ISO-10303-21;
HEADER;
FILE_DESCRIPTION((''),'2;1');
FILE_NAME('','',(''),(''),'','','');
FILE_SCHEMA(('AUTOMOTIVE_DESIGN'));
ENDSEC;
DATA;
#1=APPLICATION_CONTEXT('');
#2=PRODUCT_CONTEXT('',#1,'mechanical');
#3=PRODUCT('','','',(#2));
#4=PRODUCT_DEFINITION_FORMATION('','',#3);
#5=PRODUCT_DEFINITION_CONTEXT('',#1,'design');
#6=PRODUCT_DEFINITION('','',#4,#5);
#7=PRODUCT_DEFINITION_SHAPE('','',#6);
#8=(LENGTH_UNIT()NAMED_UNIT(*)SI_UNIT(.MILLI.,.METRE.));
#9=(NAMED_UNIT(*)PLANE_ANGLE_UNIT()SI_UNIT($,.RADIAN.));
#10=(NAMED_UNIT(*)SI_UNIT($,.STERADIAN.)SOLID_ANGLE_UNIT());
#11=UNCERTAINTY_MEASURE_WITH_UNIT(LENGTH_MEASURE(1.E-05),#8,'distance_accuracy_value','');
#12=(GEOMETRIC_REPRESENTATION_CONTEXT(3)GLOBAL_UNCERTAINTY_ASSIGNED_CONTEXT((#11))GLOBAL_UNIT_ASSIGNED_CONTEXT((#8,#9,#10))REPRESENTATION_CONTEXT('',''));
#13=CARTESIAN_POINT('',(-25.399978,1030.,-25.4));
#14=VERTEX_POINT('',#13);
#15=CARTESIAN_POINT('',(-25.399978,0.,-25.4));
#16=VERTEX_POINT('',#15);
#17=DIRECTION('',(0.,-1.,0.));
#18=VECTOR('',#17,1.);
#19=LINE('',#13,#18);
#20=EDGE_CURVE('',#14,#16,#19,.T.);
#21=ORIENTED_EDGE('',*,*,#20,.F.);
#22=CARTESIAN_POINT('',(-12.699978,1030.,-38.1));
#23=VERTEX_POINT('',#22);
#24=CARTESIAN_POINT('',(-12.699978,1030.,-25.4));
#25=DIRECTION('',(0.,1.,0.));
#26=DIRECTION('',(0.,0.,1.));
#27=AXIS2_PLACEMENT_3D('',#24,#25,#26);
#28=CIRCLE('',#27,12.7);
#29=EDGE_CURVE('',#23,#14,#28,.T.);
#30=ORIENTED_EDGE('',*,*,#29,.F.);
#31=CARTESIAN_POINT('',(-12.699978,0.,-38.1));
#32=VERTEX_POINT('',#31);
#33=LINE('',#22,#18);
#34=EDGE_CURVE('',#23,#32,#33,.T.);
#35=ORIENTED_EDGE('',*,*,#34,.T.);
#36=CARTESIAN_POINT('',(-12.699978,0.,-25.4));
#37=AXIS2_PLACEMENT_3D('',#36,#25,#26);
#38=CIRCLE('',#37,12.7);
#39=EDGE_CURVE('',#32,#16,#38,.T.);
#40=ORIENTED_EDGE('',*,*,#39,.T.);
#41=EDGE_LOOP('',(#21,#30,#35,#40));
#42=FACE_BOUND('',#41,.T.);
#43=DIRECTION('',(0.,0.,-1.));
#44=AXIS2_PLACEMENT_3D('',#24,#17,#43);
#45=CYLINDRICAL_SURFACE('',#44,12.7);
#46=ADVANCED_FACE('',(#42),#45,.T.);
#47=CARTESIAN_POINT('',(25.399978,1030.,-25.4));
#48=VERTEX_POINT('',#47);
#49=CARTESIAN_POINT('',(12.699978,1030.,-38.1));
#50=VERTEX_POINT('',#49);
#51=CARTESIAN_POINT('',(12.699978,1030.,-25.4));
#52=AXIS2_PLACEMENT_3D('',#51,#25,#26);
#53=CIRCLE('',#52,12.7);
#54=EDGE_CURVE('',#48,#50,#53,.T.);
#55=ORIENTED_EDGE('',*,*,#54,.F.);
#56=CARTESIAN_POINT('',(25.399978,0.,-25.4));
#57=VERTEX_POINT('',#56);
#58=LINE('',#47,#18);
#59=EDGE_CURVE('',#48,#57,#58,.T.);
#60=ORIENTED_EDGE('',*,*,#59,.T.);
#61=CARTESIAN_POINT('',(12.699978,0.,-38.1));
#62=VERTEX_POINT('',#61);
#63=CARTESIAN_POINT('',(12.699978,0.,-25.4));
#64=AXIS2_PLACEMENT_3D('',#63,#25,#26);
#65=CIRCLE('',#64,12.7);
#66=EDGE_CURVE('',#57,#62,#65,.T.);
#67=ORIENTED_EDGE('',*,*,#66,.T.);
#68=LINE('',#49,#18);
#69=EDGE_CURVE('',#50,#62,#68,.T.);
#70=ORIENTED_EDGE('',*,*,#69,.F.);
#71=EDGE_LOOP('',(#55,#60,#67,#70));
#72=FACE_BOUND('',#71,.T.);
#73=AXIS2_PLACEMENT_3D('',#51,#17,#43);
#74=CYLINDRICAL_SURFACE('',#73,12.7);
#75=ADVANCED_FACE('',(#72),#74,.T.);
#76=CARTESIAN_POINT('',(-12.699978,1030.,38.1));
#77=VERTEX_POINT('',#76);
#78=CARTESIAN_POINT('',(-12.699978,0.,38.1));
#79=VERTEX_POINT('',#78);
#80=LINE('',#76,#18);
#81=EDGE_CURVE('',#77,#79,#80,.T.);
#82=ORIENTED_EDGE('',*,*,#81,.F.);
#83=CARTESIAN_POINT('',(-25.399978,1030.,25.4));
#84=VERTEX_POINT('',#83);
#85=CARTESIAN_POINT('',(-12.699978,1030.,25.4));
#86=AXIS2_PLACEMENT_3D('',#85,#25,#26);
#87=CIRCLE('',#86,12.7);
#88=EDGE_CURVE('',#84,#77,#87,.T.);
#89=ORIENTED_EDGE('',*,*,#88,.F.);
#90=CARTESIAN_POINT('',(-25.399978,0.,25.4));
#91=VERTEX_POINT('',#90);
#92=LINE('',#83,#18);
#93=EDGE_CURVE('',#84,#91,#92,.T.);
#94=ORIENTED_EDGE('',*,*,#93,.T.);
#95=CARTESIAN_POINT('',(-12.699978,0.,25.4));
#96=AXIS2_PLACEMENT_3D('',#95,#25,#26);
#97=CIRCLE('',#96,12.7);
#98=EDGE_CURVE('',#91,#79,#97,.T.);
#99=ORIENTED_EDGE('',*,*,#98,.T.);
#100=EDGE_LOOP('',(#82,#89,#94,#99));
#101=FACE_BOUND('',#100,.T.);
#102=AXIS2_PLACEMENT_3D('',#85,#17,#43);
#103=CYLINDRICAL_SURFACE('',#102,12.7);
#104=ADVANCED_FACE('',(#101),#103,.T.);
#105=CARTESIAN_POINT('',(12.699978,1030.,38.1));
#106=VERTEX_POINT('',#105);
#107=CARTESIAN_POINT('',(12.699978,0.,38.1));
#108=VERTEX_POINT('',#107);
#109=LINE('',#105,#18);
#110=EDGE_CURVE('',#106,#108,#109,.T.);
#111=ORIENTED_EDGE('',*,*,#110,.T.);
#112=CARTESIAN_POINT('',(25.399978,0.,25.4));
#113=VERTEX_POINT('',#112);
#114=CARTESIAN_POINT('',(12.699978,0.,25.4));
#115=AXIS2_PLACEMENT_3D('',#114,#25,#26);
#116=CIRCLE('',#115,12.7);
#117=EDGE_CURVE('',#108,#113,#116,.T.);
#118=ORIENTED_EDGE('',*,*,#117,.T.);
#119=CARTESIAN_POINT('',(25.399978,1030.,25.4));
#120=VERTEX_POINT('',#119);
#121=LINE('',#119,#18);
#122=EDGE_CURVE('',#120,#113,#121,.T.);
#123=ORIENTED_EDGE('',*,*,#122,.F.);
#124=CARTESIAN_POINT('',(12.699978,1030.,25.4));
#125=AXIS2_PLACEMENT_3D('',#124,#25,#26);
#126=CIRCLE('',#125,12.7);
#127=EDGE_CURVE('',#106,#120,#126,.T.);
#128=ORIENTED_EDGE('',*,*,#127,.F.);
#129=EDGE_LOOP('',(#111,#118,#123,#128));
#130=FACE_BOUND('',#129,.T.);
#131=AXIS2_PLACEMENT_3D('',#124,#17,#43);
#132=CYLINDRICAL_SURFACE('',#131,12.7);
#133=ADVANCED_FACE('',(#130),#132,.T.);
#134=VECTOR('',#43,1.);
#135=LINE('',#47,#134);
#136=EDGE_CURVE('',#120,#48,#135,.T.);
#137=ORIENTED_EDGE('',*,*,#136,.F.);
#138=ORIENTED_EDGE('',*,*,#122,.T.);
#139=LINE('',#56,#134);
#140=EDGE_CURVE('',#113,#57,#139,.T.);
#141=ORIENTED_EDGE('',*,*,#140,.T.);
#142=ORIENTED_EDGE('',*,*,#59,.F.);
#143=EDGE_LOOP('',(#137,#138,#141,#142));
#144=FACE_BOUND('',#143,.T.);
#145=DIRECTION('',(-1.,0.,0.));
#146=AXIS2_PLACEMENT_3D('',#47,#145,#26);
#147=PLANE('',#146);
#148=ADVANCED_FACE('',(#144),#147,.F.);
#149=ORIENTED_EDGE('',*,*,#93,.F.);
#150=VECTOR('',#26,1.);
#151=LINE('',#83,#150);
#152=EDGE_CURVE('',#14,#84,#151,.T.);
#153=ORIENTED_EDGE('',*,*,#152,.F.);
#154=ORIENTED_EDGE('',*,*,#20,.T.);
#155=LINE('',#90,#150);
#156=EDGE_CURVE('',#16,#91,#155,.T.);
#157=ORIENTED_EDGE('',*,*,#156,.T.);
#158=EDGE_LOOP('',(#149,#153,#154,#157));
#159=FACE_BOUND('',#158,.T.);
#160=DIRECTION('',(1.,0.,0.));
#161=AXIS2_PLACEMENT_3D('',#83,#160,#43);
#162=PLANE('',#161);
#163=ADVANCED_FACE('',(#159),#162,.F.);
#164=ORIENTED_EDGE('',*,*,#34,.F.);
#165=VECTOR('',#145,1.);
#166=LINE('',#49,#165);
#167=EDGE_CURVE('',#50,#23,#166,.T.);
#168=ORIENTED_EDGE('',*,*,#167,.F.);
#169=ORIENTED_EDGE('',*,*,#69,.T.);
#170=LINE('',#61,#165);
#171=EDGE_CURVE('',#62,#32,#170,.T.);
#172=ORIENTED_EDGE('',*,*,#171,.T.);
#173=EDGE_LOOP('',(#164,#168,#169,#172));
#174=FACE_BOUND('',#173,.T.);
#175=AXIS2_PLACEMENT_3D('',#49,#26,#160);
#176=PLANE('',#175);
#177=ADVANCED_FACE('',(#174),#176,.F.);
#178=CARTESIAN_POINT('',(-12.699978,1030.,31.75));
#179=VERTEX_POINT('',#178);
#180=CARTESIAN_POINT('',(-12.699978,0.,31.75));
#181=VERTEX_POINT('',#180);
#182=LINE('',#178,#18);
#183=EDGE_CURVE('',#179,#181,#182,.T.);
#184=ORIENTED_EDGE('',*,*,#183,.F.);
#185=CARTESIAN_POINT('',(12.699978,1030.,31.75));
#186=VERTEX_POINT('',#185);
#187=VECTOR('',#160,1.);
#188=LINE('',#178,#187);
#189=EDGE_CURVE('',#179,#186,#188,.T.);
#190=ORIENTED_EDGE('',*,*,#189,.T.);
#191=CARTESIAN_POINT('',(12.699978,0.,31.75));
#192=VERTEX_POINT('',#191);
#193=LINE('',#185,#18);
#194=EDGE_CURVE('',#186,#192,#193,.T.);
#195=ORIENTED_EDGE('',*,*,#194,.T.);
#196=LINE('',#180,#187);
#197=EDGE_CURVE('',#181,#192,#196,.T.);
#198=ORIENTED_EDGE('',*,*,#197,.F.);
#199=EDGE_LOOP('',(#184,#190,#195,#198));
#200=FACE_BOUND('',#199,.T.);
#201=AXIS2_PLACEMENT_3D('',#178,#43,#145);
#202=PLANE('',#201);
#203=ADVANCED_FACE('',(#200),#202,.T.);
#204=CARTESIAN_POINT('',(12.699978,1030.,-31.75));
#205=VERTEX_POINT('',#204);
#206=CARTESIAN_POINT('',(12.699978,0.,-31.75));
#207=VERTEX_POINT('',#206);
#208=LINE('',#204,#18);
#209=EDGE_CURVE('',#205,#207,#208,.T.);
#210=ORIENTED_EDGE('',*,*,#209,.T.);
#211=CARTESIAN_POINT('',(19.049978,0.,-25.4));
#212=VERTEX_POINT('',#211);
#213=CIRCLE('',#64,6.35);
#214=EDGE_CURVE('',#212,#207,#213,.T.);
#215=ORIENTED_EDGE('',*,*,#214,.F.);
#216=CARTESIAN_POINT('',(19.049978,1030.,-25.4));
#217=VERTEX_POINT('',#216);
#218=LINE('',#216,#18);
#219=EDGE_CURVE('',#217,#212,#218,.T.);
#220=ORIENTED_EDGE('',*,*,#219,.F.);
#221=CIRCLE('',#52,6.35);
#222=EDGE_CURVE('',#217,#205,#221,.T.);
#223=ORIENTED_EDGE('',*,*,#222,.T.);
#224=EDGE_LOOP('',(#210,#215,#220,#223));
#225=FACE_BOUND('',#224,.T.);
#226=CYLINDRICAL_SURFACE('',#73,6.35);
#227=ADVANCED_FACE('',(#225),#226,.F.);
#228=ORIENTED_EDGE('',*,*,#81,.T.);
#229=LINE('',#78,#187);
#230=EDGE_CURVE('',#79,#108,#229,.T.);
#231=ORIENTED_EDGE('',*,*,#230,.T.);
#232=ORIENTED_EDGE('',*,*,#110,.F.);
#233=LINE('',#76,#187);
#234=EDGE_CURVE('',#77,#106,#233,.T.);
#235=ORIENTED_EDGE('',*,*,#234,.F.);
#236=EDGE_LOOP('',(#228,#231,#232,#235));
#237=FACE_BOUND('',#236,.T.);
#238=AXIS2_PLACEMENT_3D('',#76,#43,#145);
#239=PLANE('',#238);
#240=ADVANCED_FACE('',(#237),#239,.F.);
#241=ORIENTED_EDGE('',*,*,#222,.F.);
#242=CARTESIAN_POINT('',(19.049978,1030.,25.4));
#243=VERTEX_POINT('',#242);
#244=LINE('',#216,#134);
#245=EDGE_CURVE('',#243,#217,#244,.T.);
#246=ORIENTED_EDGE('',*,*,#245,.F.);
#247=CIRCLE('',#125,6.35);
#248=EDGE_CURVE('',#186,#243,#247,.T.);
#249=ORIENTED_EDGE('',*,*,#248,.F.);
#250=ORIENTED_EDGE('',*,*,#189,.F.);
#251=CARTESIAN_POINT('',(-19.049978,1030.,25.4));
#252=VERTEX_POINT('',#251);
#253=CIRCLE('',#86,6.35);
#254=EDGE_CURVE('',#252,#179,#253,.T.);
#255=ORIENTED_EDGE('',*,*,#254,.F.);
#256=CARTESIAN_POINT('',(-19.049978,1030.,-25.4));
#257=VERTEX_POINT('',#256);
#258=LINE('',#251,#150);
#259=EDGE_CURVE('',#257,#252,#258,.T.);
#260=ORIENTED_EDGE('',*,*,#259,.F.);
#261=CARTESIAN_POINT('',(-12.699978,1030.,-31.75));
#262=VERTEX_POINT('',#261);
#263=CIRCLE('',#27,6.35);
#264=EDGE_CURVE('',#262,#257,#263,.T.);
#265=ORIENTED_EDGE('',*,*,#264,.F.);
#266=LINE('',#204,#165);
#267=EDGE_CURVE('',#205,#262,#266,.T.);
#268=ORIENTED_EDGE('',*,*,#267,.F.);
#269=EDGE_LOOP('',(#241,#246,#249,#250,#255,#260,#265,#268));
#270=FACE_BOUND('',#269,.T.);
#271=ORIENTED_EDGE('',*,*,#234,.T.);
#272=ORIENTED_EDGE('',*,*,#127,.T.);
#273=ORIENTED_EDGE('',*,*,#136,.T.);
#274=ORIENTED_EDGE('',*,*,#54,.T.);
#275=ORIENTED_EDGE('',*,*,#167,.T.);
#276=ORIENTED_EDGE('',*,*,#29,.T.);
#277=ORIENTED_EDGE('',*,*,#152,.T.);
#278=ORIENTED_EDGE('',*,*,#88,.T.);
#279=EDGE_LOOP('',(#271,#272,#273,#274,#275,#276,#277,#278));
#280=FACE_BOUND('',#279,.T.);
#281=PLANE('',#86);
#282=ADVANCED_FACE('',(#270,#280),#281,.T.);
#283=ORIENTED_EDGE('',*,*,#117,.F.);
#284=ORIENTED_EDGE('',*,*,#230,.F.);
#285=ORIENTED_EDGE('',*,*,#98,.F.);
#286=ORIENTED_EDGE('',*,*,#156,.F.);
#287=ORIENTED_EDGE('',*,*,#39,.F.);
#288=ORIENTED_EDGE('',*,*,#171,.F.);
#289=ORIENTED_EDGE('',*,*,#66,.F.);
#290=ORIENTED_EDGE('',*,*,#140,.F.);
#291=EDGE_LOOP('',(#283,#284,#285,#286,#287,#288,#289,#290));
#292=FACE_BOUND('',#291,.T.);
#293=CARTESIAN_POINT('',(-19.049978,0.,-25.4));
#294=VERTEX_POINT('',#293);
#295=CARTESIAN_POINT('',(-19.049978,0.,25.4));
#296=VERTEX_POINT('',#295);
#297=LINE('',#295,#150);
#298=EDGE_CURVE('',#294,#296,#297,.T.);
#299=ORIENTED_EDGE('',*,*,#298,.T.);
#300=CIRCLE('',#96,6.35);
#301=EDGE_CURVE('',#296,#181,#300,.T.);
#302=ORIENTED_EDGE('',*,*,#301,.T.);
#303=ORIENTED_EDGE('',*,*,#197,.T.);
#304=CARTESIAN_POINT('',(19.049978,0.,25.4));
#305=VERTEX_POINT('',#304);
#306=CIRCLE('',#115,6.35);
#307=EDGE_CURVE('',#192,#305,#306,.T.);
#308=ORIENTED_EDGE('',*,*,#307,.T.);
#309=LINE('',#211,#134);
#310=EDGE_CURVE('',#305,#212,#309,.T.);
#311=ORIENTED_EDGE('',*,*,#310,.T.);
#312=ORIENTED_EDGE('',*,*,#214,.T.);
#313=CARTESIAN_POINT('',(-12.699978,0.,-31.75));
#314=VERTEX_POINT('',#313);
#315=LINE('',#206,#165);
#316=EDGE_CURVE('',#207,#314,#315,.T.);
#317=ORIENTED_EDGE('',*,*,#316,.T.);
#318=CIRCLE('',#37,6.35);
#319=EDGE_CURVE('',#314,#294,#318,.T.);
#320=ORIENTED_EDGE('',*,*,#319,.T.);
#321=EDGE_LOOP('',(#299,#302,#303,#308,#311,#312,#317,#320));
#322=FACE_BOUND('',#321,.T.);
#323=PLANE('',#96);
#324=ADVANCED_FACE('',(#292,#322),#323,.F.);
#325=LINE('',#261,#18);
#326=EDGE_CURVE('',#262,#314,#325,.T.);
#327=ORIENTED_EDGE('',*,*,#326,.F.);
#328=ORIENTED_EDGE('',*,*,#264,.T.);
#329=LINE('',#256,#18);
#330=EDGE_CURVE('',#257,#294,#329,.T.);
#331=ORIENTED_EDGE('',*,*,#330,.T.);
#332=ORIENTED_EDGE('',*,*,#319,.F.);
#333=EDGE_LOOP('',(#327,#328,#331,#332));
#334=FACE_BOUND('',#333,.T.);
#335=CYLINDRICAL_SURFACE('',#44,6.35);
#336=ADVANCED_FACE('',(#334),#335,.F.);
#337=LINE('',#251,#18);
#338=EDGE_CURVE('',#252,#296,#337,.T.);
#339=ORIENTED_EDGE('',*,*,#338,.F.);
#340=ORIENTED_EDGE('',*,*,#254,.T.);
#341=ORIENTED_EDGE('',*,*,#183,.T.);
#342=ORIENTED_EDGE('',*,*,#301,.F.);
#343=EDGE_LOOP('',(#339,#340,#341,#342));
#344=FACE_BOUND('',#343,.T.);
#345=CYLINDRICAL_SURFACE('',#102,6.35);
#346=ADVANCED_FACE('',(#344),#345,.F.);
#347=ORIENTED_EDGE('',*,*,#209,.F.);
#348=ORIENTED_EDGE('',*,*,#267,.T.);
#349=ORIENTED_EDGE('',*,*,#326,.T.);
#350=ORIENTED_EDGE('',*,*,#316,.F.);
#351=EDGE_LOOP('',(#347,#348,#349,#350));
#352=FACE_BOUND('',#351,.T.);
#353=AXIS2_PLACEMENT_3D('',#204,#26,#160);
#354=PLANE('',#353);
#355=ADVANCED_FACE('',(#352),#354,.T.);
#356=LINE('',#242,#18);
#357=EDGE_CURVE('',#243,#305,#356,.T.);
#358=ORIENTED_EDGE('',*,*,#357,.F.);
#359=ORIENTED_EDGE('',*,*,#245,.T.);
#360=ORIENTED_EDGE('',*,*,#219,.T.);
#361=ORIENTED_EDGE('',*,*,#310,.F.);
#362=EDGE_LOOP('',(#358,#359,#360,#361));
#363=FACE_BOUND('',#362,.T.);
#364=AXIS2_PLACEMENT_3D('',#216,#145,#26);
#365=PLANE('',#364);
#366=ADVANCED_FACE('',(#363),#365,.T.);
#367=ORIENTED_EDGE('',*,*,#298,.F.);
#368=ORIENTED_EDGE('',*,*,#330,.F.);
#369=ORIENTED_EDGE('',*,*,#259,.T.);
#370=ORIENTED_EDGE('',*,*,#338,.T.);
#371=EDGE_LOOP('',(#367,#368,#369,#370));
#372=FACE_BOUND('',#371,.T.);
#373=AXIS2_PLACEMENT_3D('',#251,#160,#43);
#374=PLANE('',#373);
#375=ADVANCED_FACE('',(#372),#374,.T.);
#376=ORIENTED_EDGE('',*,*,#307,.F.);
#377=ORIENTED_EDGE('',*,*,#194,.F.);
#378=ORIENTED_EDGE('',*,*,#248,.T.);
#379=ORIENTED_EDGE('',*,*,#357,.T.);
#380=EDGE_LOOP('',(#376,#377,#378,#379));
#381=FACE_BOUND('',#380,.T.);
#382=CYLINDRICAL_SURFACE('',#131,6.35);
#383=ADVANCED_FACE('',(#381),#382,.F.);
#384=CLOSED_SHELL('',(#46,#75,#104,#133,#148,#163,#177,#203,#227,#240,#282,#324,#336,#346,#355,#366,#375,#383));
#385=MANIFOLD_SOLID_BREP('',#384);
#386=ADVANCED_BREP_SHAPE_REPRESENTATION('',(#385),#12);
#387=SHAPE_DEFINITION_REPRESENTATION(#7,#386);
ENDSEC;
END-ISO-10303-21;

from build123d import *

# Parameters (mm, degrees)
TUBO_RECTANGULAR_3_X_2_X_0_25_1_DEPTH = 1030


with BuildPart() as part:
    # Sketch1 → Tubo rectangular 3 X 2 X 0.25(1) (new body)
    with BuildSketch(Plane(origin=(0, 0, 0), x_dir=(-1, 0, 0), z_dir=(0, 1, 0))):
        with BuildLine():
            Line((-12.699978, -38.1), (12.699978, -38.1))
            ThreePointArc((12.699978, -38.1), (21.680234121, -34.380256121), (25.399978, -25.4))
            Line((25.399978, -25.4), (25.399978, 25.4))
            ThreePointArc((25.399978, 25.4), (21.680234121, 34.380256121), (12.699978, 38.1))
            Line((12.699978, 38.1), (-12.699978, 38.1))
            ThreePointArc((-12.699978, 38.1), (-21.680234121, 34.380256121), (-25.399978, 25.4))
            Line((-25.399978, 25.4), (-25.399978, -25.4))
            ThreePointArc((-25.399978, -25.4), (-21.680234121, -34.380256121), (-12.699978, -38.1))
        make_face()
        with BuildLine():
            Line((-12.699978, -31.75), (12.699978, -31.75))
            ThreePointArc((12.699978, -31.75), (17.190106061, -29.890128061), (19.049978, -25.4))
            Line((19.049978, -25.4), (19.049978, 25.4))
            ThreePointArc((19.049978, 25.4), (17.190106061, 29.890128061), (12.699978, 31.75))
            Line((12.699978, 31.75), (-12.699978, 31.75))
            ThreePointArc((-12.699978, 31.75), (-17.190106061, 29.890128061), (-19.049978, 25.4))
            Line((-19.049978, 25.4), (-19.049978, -25.4))
            ThreePointArc((-19.049978, -25.4), (-17.190106061, -29.890128061), (-12.699978, -31.75))
        make_face(mode=Mode.SUBTRACT)
    extrude(amount=TUBO_RECTANGULAR_3_X_2_X_0_25_1_DEPTH)


solid = part.part
